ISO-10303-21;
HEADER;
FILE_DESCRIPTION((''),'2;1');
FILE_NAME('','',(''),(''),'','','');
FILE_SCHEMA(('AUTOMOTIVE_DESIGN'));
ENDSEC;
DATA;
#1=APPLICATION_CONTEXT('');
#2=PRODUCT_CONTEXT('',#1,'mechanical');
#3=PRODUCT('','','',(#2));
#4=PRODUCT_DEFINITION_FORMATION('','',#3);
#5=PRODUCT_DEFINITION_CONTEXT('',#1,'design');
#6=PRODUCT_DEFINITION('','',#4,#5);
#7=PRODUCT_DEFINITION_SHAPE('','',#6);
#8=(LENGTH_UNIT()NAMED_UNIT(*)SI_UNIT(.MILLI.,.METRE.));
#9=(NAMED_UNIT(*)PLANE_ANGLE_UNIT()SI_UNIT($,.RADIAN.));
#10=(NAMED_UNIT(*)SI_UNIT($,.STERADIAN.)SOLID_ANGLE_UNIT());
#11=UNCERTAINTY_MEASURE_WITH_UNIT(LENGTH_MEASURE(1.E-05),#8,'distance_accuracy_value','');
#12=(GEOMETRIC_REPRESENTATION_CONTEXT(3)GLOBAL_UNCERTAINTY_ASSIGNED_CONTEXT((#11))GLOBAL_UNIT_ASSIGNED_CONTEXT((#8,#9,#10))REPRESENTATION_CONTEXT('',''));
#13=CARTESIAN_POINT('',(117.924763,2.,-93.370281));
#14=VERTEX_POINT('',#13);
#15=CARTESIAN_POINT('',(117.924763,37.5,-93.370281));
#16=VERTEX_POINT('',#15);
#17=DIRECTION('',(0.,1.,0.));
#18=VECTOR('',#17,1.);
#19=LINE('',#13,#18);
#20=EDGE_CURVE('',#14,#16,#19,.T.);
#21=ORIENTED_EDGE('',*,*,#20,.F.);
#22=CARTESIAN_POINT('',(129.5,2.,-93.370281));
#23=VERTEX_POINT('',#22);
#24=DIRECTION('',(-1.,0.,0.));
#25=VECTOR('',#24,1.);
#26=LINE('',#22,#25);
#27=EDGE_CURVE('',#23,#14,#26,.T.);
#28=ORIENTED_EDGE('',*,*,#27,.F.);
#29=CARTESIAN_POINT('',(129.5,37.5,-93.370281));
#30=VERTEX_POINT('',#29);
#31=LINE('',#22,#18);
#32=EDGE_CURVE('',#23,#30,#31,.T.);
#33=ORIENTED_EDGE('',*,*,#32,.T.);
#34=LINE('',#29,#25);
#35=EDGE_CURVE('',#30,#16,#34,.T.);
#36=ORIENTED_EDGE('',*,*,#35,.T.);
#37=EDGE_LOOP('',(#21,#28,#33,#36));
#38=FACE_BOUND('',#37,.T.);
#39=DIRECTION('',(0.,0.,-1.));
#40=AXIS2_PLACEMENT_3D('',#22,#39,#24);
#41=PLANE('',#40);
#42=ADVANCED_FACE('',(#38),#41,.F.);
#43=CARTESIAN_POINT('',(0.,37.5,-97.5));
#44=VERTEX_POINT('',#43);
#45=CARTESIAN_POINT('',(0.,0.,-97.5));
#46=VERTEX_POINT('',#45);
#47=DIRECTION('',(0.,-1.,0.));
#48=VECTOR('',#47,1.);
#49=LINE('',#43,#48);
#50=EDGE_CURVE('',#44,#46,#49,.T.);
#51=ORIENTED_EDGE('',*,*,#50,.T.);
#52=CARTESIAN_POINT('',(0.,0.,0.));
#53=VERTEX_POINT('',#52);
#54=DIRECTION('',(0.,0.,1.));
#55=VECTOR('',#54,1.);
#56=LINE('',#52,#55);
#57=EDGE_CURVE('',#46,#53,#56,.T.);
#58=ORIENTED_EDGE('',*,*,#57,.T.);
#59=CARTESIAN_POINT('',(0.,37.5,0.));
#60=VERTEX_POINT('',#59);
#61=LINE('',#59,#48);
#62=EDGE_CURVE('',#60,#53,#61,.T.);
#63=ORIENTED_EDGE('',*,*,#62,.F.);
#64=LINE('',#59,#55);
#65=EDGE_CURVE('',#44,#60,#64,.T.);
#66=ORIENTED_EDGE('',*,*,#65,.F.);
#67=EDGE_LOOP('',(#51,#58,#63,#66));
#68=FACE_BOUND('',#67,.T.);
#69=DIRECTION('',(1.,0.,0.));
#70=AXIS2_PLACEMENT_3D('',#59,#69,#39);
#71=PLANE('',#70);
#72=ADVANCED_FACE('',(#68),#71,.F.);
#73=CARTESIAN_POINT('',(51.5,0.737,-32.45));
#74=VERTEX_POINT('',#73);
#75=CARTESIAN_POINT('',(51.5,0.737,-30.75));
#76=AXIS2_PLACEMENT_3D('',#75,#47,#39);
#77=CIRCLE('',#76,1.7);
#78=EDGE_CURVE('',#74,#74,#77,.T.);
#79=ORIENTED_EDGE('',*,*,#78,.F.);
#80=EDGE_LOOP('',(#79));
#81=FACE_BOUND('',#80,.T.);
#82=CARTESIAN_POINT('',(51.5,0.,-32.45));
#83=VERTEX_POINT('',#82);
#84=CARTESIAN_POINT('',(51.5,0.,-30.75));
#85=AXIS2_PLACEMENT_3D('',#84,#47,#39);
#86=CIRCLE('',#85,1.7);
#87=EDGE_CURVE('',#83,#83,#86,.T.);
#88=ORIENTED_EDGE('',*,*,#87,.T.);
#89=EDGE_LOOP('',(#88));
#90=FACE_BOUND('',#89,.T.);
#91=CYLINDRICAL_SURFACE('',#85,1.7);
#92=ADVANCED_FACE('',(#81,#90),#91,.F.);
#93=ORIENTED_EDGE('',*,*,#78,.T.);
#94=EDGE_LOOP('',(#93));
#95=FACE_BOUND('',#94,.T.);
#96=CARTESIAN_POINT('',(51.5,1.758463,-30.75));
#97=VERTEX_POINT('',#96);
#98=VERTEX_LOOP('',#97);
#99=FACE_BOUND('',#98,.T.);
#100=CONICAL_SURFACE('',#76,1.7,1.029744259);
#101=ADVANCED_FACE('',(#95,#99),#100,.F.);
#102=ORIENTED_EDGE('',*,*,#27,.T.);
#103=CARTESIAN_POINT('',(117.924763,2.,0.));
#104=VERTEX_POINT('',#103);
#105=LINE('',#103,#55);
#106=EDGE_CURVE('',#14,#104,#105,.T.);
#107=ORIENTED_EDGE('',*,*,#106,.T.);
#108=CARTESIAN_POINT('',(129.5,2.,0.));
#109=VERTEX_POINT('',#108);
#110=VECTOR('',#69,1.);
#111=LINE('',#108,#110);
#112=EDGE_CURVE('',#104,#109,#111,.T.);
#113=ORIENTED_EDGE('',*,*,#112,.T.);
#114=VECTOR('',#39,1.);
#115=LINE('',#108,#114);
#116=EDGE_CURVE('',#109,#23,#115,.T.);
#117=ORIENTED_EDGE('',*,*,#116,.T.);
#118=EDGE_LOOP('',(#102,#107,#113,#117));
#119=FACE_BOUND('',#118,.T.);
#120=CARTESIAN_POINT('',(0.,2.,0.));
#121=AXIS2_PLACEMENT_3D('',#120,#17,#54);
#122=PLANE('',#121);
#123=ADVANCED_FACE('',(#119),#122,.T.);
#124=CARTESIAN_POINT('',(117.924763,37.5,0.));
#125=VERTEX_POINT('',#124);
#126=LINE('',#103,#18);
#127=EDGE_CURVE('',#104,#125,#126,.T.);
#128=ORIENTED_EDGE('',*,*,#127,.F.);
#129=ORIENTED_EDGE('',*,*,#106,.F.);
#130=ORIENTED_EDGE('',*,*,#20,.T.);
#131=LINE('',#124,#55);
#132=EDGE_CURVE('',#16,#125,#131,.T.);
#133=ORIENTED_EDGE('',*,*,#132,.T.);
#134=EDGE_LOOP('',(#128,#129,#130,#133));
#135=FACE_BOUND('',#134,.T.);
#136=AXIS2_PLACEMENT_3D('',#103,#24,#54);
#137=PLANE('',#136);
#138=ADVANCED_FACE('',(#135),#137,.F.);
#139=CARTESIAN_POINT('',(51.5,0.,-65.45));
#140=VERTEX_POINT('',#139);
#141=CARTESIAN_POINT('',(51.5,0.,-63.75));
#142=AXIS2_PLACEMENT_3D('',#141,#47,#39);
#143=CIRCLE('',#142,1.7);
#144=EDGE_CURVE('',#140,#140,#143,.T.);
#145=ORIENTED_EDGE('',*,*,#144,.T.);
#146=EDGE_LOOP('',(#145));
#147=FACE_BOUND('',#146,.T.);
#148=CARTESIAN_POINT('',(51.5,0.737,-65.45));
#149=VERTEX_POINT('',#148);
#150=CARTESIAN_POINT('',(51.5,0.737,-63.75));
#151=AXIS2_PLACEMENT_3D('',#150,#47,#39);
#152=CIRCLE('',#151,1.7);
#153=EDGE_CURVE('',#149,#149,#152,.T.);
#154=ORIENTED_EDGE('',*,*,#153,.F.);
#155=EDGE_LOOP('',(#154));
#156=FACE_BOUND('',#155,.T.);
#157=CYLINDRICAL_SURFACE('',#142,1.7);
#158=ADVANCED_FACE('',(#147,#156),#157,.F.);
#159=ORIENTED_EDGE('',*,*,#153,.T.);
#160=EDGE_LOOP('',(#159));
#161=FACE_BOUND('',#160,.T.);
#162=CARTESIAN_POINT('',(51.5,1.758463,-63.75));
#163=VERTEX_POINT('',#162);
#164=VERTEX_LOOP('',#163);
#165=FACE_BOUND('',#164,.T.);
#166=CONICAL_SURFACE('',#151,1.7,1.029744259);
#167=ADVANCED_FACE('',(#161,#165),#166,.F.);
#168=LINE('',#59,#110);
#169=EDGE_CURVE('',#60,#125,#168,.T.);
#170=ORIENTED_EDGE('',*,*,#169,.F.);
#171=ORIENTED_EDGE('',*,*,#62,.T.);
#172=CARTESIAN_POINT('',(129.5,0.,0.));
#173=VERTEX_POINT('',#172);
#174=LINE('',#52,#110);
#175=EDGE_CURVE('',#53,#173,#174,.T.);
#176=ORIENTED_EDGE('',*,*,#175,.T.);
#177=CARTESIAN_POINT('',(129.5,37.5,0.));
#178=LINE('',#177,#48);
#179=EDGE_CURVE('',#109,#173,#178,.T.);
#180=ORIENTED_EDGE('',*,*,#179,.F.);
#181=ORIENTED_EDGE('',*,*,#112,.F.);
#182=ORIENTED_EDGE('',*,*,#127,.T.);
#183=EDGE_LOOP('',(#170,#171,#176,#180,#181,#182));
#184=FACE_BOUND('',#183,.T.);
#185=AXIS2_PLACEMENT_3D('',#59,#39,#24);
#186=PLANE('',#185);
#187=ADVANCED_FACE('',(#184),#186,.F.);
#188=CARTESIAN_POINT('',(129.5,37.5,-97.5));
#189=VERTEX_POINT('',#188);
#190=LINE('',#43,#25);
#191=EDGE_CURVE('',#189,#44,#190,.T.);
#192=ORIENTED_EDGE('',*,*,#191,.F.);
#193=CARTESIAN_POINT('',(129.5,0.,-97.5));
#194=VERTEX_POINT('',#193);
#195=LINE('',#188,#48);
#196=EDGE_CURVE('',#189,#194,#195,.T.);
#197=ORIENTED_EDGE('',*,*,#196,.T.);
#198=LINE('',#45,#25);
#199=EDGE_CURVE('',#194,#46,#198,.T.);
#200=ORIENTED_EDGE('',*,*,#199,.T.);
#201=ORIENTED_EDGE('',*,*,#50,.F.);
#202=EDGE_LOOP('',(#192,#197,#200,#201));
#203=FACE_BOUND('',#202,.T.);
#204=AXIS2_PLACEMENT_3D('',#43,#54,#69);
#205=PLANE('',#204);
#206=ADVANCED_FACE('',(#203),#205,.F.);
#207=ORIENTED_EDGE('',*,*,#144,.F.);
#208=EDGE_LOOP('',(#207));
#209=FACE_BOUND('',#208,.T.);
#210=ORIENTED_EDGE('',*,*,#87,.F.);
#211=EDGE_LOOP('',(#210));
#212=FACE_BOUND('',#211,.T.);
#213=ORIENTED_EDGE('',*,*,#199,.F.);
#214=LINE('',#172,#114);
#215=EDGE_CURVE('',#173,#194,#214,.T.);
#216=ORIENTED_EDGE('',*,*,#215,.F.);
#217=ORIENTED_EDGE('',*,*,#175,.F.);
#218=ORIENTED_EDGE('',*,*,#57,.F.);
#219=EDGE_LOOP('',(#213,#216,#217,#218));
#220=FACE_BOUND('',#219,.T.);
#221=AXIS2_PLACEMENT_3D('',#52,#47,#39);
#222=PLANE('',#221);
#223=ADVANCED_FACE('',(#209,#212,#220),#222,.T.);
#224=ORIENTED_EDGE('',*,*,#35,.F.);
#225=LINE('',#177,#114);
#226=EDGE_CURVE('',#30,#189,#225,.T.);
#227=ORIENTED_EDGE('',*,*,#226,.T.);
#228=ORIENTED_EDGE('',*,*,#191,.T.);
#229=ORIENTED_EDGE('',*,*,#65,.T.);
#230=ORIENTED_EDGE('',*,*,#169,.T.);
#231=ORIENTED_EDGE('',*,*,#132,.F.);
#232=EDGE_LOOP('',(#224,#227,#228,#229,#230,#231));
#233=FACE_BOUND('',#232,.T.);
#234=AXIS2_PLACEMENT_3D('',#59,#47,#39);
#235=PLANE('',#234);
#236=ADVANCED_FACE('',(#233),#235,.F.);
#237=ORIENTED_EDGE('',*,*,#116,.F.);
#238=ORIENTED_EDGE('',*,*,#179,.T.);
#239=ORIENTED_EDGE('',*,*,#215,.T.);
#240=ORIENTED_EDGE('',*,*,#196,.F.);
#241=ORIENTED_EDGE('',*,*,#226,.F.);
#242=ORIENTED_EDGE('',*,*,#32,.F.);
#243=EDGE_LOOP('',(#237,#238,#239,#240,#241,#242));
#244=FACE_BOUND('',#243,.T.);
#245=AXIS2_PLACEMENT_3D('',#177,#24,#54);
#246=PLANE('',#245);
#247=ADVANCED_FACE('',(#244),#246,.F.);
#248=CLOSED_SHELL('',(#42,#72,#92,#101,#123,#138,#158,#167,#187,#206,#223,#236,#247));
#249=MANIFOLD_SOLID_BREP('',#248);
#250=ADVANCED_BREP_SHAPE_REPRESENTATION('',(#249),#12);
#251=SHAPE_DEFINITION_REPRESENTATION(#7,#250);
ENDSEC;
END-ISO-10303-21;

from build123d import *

# Parameters (mm, degrees)
SKETCH1_W                = 129.5
SKETCH1_H                = 97.5
BOSS_EXTRUDE1_DEPTH      = 37.5
M3_CLEARANCE_HOLE1_D     = 3.4
M3_CLEARANCE_HOLE1_DEPTH = 0.737
M3_CLEARANCE_HOLE1_TIP   = 1.021463052
SKETCH5_W                = 11.575237046
SKETCH5_H                = 93.370280938
CUT_EXTRUDE1_DEPTH       = 35.5


with BuildPart() as part:
    # Sketch1 → Boss-Extrude1 (new body)
    with BuildSketch(Plane(origin=(0, 0, 0), x_dir=(1, 0, 0), z_dir=(0, 1, 0))):
        with Locations((64.75, 48.75)):
            Rectangle(SKETCH1_W, SKETCH1_H)
    extrude(amount=BOSS_EXTRUDE1_DEPTH)

    # M3 Clearance Hole1
    with Locations(Plane(origin=(0, 0, 0), x_dir=(-1, 0, 0), z_dir=(0, -1, 0))):
        with Locations((-51.5, 63.75), (-51.5, 30.75)):
            Hole(M3_CLEARANCE_HOLE1_D / 2, depth=M3_CLEARANCE_HOLE1_DEPTH)
            with Locations((0, 0, -(M3_CLEARANCE_HOLE1_DEPTH + M3_CLEARANCE_HOLE1_TIP / 2))):  # 118° drill point
                Cone(0, M3_CLEARANCE_HOLE1_D / 2, M3_CLEARANCE_HOLE1_TIP, mode=Mode.SUBTRACT)

    # Sketch5 → Cut-Extrude1 (cut)
    with BuildSketch(Plane(origin=(0, 37.5, 0), x_dir=(1, 0, 0), z_dir=(0, 1, 0))):
        with Locations((123.712381477, 46.685140469)):
            Rectangle(SKETCH5_W, SKETCH5_H)
    extrude(amount=-CUT_EXTRUDE1_DEPTH, mode=Mode.SUBTRACT)


solid = part.part
